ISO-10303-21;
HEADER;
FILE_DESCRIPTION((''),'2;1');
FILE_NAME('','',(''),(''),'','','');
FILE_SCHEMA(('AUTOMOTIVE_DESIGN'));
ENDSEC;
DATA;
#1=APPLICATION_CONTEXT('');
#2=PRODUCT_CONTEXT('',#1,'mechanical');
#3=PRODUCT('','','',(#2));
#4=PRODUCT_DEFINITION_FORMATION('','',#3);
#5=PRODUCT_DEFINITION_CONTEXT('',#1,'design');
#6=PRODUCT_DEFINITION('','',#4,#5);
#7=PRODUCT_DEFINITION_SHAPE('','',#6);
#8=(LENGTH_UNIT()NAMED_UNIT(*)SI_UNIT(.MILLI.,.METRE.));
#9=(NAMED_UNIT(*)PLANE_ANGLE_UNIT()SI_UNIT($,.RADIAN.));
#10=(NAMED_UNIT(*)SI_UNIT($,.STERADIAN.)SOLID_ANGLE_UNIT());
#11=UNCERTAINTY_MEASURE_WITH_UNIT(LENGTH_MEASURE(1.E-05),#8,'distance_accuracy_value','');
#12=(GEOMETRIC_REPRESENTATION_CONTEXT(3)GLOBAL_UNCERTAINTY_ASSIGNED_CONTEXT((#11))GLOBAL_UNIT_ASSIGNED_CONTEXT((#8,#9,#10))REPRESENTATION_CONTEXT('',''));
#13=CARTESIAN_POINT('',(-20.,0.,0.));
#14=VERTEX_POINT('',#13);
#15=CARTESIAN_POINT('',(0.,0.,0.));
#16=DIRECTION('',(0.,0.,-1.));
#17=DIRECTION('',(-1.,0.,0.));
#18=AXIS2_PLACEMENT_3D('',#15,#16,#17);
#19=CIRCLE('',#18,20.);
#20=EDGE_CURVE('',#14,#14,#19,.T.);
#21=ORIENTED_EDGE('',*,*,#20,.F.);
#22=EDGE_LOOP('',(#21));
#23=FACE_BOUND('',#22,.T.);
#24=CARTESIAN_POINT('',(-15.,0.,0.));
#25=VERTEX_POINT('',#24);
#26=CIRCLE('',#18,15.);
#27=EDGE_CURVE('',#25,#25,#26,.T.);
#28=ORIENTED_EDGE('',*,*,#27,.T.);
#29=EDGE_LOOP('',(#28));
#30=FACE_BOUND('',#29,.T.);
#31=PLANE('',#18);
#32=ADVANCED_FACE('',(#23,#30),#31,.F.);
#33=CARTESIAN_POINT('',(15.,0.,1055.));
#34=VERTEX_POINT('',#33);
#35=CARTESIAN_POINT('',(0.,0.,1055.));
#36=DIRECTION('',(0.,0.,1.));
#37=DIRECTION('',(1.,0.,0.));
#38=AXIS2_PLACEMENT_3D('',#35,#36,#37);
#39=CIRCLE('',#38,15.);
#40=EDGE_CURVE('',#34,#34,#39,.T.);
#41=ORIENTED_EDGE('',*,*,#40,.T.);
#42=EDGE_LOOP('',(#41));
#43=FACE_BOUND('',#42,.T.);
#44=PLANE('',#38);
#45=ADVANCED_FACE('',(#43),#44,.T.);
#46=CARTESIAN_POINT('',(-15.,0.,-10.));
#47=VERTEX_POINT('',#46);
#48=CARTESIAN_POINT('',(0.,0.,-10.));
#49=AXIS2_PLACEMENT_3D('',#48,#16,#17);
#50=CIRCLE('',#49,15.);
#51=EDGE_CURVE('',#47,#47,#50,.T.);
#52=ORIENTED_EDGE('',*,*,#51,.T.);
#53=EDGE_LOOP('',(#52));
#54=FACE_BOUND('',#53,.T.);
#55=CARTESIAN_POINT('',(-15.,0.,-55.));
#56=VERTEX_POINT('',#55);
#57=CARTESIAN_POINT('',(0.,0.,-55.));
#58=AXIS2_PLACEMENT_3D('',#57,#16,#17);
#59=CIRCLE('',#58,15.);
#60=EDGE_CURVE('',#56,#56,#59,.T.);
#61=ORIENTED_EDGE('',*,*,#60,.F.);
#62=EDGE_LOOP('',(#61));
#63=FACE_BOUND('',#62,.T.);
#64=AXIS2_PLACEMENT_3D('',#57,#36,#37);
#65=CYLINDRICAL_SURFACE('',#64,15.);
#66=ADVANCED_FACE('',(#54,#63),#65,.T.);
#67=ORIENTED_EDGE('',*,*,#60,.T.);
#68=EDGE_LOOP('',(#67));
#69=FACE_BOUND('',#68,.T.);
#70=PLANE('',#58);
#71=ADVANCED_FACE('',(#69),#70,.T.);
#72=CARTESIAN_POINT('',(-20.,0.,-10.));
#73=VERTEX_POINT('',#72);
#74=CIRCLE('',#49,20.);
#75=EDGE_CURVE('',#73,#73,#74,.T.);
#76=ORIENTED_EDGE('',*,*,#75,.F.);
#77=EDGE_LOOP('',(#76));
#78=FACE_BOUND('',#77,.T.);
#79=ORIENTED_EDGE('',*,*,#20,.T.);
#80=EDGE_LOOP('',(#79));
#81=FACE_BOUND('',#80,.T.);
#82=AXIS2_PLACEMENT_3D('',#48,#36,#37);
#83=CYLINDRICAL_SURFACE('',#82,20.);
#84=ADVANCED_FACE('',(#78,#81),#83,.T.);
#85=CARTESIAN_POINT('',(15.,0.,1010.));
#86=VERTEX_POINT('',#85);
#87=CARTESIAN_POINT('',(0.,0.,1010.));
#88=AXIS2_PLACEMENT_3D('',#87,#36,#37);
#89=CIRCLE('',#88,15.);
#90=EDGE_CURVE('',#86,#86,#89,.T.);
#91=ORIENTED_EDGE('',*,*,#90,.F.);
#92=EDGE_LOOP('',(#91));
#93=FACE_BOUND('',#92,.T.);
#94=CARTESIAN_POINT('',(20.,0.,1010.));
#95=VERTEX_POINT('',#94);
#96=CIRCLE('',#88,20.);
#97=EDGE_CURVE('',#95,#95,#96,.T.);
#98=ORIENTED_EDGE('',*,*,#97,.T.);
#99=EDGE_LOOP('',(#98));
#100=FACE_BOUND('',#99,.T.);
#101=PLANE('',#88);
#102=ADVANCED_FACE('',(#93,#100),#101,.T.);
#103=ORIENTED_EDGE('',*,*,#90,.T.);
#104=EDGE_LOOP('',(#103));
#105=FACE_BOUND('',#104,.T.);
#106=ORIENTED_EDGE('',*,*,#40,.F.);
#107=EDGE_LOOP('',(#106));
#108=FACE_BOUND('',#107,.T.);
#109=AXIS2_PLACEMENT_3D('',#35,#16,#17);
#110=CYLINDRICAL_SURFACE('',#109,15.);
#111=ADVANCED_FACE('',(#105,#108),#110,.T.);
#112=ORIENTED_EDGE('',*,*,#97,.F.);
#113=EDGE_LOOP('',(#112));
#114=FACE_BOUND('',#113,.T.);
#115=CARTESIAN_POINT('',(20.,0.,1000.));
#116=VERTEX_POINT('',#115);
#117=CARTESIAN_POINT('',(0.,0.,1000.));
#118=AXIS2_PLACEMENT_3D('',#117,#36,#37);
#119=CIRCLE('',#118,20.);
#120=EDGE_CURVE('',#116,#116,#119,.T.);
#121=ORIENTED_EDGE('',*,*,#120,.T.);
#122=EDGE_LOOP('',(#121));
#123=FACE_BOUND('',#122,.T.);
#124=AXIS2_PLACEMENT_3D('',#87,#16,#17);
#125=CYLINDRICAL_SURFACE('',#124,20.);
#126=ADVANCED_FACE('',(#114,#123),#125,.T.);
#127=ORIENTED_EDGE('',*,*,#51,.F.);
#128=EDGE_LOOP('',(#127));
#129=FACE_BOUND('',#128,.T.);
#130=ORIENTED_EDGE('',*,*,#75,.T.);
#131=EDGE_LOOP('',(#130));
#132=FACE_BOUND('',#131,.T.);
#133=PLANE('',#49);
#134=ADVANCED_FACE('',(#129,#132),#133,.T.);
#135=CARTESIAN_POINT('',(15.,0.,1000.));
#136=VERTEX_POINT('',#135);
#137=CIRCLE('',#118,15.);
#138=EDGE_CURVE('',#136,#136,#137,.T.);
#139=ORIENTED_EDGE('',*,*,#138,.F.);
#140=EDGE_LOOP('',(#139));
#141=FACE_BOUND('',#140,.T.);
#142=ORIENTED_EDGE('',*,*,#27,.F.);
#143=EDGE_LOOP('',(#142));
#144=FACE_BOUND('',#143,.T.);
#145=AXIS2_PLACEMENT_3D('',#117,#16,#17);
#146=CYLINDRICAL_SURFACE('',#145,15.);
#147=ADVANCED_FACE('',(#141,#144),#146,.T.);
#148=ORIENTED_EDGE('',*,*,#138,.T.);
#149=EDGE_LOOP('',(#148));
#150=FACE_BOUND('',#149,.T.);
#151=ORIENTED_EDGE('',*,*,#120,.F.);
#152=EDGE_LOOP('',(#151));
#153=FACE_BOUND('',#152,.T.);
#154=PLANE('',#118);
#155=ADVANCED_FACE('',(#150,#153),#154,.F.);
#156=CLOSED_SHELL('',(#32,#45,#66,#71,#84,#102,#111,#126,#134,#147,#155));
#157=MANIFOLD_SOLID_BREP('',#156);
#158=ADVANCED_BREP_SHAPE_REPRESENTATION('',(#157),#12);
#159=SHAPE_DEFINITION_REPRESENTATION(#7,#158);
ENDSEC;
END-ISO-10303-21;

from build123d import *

# Parameters (mm, degrees)
SKETCH1_R           = 15
BOSS_EXTRUDE1_DEPTH = 1000
SKETCH2_R           = 20
BOSS_EXTRUDE2_DEPTH = 10
SKETCH3_R           = 15
BOSS_EXTRUDE3_DEPTH = 45
SKETCH4_R           = 20
BOSS_EXTRUDE4_DEPTH = 10
SKETCH5_R           = 15
BOSS_EXTRUDE5_DEPTH = 45


with BuildPart() as part:
    # Sketch1 → Boss-Extrude1 (new body)
    with BuildSketch(Plane.XY):
        Circle(SKETCH1_R)
    extrude(amount=BOSS_EXTRUDE1_DEPTH)

    # Sketch2 → Boss-Extrude2 (add)
    with BuildSketch(Plane.XY.offset(1000)):
        Circle(SKETCH2_R)
    extrude(amount=BOSS_EXTRUDE2_DEPTH)

    # Sketch3 → Boss-Extrude3 (add)
    with BuildSketch(Plane.XY.offset(1010)):
        Circle(SKETCH3_R)
    extrude(amount=BOSS_EXTRUDE3_DEPTH)

    # Sketch4 → Boss-Extrude4 (add)
    with BuildSketch(Plane(origin=(0, 0, 0), x_dir=(-1, 0, 0), z_dir=(0, 0, -1))):
        Circle(SKETCH4_R)
    extrude(amount=BOSS_EXTRUDE4_DEPTH)

    # Sketch5 → Boss-Extrude5 (add)
    with BuildSketch(Plane(origin=(0, 0, -10), x_dir=(-1, 0, 0), z_dir=(0, 0, -1))):
        Circle(SKETCH5_R)
    extrude(amount=BOSS_EXTRUDE5_DEPTH)


solid = part.part
